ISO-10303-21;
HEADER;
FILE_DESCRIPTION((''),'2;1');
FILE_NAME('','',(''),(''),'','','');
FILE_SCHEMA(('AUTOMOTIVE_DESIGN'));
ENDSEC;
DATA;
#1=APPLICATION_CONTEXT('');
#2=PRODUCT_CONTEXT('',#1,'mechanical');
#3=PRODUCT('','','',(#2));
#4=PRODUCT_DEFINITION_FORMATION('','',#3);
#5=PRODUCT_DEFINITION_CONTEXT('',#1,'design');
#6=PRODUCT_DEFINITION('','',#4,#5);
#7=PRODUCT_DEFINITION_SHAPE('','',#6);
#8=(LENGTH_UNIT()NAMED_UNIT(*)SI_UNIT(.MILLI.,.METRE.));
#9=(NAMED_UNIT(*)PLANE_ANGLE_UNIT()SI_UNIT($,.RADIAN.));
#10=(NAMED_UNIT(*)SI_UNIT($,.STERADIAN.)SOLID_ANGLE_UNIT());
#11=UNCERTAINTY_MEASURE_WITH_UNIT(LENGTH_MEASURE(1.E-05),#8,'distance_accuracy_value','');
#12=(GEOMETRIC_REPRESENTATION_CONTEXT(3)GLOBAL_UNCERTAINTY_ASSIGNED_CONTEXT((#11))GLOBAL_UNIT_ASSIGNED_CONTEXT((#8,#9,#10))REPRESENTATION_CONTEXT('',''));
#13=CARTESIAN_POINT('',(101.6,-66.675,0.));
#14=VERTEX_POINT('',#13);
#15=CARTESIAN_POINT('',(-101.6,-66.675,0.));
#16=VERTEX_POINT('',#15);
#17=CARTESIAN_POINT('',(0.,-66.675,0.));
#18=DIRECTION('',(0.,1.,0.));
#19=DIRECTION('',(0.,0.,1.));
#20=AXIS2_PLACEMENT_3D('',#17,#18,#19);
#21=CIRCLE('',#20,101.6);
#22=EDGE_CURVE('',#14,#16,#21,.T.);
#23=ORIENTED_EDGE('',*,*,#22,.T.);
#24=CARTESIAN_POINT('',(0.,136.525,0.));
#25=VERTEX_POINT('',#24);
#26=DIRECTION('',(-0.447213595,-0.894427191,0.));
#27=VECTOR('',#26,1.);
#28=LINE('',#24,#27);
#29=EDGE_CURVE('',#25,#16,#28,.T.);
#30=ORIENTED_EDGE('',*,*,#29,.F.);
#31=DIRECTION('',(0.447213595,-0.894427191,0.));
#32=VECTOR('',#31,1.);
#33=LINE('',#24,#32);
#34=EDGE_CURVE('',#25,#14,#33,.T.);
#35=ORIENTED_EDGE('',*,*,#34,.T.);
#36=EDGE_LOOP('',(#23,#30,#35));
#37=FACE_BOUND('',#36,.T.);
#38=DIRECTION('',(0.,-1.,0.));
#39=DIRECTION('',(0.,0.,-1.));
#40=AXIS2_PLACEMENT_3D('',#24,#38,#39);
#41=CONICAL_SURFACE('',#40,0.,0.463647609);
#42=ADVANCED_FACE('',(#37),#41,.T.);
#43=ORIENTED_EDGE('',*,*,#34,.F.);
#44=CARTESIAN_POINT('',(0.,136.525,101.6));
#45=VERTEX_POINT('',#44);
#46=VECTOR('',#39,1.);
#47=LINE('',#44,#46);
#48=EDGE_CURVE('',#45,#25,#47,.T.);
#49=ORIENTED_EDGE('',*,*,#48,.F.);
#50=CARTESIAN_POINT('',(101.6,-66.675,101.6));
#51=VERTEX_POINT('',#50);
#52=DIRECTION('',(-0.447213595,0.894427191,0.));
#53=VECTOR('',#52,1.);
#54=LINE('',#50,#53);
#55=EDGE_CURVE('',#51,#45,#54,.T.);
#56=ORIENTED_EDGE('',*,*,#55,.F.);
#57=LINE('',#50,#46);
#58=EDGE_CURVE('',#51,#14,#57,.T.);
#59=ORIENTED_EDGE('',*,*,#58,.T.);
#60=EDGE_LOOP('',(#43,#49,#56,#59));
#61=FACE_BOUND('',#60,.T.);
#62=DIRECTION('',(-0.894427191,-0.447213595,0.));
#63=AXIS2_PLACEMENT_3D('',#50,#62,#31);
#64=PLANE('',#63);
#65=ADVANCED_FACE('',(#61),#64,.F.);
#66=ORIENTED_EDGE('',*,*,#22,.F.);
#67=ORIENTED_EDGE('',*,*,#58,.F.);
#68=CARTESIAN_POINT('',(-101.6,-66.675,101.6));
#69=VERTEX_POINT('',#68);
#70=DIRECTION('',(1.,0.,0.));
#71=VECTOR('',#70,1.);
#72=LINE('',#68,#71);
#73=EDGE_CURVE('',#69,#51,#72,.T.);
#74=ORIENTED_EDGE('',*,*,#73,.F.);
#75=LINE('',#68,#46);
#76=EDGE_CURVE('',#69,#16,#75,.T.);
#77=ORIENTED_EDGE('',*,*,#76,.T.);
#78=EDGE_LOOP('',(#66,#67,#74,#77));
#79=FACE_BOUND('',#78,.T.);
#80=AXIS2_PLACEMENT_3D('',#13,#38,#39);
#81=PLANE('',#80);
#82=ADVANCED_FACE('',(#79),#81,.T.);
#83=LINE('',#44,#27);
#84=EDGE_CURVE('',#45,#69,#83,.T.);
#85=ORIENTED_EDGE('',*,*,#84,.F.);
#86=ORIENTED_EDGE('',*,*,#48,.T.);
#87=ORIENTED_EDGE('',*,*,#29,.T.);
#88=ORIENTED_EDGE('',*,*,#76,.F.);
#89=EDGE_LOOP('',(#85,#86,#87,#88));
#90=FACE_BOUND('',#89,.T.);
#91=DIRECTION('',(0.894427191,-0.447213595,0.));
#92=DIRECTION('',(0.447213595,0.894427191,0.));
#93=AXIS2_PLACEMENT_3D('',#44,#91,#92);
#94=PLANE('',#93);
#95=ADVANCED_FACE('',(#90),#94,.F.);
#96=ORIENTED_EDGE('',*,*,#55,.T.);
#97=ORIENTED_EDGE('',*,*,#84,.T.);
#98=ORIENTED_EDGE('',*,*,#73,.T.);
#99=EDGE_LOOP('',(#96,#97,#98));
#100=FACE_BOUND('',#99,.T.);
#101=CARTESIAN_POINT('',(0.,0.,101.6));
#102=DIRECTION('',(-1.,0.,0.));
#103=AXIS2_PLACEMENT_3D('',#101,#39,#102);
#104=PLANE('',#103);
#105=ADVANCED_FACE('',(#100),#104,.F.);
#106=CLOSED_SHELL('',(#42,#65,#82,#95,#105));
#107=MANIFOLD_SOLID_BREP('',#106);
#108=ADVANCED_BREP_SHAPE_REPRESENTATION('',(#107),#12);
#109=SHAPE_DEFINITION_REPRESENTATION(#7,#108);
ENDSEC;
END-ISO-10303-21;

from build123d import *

# Parameters (mm, degrees)
REVOLVE1_ANGLE      = 180
BOSS_EXTRUDE1_DEPTH = 101.6


with BuildPart() as part:
    # Sketch1 → Revolve1 (revolve)
    with BuildSketch(Plane.XY):
        Polygon((0, 136.525), (-101.6, -66.675), (0, -66.675), align=None)
    revolve(axis=Axis((0, 110.066666667, 0), (0, -1, 0)), revolution_arc=REVOLVE1_ANGLE)

    # Sketch2 → Boss-Extrude1 (add)
    with BuildSketch(Plane.XY):
        Polygon((0, 136.525), (-101.6, -66.675), (101.6, -66.675), align=None)
    extrude(amount=BOSS_EXTRUDE1_DEPTH)


solid = part.part
